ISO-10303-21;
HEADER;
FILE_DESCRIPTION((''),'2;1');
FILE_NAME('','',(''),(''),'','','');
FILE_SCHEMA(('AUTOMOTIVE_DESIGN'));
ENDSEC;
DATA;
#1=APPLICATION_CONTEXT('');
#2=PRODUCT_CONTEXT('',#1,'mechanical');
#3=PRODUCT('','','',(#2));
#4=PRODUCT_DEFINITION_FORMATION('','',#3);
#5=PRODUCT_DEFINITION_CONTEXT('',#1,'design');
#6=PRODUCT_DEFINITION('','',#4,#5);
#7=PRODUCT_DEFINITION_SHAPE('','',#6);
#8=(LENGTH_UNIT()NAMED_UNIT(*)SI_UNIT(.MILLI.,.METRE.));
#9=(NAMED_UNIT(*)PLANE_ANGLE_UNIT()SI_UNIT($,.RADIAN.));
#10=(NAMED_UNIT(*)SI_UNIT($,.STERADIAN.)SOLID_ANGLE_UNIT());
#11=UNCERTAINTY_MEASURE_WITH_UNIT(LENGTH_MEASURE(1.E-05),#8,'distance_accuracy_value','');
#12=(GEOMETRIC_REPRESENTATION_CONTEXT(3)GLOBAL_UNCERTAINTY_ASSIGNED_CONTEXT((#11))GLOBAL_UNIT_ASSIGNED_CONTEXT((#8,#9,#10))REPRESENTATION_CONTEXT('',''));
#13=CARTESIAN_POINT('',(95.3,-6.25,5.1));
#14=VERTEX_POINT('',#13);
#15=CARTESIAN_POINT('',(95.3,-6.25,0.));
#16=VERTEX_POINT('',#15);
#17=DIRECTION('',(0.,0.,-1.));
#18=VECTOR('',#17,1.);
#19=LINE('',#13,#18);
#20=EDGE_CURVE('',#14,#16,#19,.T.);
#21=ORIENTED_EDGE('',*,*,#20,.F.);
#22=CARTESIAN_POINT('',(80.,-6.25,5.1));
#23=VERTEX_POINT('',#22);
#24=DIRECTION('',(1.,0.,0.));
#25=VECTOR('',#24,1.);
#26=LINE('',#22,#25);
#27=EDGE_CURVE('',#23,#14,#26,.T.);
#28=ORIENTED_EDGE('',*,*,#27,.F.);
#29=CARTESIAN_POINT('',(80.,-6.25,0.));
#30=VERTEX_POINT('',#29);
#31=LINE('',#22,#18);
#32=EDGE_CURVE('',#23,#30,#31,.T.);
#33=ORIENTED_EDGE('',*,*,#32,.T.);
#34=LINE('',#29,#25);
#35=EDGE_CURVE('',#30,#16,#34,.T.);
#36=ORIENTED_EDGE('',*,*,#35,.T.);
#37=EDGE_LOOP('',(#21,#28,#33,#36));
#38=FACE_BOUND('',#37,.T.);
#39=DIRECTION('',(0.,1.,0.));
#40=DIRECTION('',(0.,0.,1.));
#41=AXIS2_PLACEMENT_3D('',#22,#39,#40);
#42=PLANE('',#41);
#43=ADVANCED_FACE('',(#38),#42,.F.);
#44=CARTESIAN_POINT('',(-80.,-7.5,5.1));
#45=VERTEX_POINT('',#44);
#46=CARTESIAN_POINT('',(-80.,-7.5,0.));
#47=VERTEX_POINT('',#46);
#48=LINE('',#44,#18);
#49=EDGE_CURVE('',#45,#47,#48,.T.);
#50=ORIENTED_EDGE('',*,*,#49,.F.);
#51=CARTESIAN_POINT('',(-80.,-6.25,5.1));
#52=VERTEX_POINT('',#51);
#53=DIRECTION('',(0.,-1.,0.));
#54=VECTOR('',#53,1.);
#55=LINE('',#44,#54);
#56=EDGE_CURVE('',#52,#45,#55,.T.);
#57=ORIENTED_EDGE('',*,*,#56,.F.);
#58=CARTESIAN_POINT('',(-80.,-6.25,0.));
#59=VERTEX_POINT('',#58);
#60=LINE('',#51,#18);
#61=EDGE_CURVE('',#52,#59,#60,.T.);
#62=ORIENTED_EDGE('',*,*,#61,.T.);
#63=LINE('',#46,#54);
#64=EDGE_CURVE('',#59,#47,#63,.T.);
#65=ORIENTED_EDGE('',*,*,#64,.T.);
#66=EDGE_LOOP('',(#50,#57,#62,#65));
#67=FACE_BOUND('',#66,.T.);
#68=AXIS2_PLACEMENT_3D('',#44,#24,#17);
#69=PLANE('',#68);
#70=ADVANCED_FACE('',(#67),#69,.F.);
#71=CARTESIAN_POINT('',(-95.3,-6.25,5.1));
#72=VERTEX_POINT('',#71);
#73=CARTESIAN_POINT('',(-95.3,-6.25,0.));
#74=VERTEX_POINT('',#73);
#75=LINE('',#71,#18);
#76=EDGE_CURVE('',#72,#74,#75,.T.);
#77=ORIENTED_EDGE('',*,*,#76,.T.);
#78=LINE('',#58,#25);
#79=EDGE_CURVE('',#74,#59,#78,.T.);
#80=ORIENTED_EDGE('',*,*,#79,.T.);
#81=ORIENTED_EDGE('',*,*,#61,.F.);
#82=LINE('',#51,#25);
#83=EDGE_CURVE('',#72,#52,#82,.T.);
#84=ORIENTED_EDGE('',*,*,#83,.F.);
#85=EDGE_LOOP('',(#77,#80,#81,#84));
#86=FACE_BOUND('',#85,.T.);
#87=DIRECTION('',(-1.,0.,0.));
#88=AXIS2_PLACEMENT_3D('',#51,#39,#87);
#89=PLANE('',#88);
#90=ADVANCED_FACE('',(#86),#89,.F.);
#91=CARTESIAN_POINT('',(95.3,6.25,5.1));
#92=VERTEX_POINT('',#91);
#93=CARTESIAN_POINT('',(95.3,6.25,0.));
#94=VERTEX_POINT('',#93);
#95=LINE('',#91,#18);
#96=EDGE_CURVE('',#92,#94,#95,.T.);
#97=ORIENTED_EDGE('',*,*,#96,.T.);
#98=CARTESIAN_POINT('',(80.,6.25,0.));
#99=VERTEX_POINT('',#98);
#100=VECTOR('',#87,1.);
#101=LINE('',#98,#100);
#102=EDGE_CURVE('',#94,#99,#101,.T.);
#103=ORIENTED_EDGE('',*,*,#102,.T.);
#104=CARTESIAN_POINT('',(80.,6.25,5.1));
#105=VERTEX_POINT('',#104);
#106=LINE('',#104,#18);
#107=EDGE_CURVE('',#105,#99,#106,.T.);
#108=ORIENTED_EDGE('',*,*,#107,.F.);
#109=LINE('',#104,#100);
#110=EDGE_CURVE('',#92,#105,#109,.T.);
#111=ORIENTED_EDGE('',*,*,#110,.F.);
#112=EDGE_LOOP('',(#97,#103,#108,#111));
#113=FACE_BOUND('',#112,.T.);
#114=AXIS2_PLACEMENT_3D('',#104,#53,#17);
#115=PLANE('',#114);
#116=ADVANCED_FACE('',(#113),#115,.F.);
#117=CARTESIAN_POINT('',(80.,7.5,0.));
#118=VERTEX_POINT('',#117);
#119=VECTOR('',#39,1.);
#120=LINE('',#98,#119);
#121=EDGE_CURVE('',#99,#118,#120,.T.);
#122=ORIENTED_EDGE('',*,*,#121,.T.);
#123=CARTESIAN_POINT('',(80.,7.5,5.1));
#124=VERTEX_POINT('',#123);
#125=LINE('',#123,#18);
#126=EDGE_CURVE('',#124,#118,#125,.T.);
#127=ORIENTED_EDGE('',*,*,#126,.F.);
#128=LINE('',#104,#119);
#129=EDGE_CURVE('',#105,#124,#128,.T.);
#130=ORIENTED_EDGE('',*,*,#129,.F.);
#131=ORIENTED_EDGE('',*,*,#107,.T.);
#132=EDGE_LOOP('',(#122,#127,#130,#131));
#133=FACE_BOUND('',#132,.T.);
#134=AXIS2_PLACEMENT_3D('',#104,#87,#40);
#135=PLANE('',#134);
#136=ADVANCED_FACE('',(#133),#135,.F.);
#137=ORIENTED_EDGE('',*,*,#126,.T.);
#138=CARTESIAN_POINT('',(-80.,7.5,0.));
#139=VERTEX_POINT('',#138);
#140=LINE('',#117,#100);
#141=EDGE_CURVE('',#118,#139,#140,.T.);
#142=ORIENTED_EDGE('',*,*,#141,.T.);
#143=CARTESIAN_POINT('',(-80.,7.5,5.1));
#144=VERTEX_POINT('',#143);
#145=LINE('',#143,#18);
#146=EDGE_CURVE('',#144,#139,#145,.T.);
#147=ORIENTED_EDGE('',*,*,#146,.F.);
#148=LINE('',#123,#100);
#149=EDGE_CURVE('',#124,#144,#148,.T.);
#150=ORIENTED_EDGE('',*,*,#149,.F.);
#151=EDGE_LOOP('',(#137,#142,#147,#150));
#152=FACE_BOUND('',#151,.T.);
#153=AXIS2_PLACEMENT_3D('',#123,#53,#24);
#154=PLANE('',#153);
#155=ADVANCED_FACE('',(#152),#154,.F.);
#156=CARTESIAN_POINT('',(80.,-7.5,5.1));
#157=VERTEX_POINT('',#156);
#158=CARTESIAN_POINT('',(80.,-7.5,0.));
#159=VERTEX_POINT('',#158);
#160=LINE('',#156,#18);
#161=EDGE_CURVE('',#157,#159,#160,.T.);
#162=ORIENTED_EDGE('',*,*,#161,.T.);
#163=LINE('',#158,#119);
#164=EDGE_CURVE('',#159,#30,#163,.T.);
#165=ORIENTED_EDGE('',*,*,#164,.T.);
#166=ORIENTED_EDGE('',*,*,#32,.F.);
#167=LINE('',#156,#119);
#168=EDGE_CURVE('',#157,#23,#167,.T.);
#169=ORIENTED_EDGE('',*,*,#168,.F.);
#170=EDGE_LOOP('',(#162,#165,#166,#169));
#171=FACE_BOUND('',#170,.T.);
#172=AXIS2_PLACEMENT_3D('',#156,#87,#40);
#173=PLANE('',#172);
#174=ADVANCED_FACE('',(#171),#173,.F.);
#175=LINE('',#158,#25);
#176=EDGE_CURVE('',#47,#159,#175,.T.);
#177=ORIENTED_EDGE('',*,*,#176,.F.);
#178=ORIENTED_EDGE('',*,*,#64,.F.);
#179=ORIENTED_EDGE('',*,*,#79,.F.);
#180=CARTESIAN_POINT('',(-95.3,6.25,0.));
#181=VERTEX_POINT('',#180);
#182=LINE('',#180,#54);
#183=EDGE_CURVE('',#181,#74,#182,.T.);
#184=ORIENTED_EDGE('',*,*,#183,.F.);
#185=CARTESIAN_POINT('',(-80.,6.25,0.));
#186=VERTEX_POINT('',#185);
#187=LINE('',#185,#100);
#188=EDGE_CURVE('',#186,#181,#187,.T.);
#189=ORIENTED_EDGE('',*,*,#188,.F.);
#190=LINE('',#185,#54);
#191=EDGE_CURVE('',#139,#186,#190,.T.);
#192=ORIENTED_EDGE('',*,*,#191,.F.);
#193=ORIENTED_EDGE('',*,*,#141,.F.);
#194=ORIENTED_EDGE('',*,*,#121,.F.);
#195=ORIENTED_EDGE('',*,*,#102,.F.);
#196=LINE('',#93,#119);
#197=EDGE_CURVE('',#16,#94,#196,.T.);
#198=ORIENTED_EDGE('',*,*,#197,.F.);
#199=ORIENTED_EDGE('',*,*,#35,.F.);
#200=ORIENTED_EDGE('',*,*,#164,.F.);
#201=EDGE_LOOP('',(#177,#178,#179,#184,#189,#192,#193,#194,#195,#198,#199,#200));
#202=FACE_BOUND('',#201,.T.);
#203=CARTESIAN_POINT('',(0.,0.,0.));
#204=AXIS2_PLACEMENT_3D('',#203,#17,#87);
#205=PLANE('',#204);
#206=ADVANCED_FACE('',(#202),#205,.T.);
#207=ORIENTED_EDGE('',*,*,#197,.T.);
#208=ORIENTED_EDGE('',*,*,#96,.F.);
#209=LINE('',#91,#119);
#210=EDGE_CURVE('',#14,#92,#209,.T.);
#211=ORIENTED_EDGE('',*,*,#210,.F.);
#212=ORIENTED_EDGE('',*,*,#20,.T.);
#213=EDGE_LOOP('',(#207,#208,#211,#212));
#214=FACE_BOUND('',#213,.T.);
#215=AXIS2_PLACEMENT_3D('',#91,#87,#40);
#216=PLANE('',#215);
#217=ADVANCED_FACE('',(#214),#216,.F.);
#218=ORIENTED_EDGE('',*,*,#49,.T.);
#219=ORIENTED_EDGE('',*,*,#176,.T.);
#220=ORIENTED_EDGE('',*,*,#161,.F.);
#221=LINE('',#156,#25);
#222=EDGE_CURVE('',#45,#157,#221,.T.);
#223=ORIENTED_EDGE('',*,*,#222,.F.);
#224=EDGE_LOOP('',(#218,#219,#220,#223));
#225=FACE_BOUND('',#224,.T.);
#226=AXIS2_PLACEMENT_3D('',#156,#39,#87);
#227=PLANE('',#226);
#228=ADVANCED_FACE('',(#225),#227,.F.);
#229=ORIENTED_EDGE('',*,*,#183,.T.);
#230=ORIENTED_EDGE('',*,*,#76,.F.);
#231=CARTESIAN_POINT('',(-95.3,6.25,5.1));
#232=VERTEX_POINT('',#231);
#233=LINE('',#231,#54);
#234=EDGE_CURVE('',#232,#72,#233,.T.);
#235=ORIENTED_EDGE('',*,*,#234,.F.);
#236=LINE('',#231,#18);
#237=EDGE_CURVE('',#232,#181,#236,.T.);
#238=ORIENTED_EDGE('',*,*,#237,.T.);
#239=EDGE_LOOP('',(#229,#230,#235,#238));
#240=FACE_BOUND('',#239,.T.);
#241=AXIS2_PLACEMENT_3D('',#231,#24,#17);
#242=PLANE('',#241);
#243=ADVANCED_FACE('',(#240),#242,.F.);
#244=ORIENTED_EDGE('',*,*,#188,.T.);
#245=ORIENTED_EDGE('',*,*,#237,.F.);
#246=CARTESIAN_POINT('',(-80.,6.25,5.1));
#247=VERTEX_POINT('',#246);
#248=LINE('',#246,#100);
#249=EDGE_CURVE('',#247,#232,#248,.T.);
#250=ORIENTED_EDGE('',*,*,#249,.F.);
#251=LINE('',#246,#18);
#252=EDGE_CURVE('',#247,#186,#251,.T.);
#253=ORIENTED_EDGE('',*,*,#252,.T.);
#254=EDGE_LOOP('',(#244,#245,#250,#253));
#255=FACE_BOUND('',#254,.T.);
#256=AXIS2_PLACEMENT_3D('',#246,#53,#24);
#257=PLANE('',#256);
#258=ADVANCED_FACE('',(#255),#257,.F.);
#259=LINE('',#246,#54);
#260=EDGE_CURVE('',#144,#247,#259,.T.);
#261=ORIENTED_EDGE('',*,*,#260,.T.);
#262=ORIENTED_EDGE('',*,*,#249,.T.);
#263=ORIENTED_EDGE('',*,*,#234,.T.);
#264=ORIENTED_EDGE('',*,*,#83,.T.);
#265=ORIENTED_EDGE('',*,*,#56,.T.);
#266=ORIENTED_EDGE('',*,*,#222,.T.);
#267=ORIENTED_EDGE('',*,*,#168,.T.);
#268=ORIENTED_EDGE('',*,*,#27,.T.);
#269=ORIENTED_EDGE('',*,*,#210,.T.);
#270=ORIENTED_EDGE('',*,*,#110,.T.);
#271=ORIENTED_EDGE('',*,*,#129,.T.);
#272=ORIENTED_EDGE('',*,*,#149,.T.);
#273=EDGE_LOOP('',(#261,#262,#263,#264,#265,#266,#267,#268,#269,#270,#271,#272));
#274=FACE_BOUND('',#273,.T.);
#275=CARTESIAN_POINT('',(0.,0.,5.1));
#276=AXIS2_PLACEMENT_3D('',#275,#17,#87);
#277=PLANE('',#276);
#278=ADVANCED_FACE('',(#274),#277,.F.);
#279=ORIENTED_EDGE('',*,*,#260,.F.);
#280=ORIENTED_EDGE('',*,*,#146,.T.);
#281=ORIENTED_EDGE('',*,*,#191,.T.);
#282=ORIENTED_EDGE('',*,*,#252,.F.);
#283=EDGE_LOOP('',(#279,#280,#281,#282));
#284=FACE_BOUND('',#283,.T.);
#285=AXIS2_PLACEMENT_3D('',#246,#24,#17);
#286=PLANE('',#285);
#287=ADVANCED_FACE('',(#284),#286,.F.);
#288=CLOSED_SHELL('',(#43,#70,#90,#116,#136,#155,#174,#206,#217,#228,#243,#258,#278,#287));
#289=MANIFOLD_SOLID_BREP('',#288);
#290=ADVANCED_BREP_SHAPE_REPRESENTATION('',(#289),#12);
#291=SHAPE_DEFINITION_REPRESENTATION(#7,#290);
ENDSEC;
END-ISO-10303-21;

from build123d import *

# Parameters (mm, degrees)
BOSS_EXTRUDE2_DEPTH = 5.1


with BuildPart() as part:
    # Sketch1 → Boss-Extrude2 (new body)
    with BuildSketch(Plane.XY):
        Polygon((-80, 6.25), (-80, 7.5), (80, 7.5), (80, 6.25), (95.3, 6.25), (95.3, -6.25), (80, -6.25), (80, -7.5), (-80, -7.5), (-80, -6.25), (-95.3, -6.25), (-95.3, 6.25), align=None)
    extrude(amount=BOSS_EXTRUDE2_DEPTH)


solid = part.part
